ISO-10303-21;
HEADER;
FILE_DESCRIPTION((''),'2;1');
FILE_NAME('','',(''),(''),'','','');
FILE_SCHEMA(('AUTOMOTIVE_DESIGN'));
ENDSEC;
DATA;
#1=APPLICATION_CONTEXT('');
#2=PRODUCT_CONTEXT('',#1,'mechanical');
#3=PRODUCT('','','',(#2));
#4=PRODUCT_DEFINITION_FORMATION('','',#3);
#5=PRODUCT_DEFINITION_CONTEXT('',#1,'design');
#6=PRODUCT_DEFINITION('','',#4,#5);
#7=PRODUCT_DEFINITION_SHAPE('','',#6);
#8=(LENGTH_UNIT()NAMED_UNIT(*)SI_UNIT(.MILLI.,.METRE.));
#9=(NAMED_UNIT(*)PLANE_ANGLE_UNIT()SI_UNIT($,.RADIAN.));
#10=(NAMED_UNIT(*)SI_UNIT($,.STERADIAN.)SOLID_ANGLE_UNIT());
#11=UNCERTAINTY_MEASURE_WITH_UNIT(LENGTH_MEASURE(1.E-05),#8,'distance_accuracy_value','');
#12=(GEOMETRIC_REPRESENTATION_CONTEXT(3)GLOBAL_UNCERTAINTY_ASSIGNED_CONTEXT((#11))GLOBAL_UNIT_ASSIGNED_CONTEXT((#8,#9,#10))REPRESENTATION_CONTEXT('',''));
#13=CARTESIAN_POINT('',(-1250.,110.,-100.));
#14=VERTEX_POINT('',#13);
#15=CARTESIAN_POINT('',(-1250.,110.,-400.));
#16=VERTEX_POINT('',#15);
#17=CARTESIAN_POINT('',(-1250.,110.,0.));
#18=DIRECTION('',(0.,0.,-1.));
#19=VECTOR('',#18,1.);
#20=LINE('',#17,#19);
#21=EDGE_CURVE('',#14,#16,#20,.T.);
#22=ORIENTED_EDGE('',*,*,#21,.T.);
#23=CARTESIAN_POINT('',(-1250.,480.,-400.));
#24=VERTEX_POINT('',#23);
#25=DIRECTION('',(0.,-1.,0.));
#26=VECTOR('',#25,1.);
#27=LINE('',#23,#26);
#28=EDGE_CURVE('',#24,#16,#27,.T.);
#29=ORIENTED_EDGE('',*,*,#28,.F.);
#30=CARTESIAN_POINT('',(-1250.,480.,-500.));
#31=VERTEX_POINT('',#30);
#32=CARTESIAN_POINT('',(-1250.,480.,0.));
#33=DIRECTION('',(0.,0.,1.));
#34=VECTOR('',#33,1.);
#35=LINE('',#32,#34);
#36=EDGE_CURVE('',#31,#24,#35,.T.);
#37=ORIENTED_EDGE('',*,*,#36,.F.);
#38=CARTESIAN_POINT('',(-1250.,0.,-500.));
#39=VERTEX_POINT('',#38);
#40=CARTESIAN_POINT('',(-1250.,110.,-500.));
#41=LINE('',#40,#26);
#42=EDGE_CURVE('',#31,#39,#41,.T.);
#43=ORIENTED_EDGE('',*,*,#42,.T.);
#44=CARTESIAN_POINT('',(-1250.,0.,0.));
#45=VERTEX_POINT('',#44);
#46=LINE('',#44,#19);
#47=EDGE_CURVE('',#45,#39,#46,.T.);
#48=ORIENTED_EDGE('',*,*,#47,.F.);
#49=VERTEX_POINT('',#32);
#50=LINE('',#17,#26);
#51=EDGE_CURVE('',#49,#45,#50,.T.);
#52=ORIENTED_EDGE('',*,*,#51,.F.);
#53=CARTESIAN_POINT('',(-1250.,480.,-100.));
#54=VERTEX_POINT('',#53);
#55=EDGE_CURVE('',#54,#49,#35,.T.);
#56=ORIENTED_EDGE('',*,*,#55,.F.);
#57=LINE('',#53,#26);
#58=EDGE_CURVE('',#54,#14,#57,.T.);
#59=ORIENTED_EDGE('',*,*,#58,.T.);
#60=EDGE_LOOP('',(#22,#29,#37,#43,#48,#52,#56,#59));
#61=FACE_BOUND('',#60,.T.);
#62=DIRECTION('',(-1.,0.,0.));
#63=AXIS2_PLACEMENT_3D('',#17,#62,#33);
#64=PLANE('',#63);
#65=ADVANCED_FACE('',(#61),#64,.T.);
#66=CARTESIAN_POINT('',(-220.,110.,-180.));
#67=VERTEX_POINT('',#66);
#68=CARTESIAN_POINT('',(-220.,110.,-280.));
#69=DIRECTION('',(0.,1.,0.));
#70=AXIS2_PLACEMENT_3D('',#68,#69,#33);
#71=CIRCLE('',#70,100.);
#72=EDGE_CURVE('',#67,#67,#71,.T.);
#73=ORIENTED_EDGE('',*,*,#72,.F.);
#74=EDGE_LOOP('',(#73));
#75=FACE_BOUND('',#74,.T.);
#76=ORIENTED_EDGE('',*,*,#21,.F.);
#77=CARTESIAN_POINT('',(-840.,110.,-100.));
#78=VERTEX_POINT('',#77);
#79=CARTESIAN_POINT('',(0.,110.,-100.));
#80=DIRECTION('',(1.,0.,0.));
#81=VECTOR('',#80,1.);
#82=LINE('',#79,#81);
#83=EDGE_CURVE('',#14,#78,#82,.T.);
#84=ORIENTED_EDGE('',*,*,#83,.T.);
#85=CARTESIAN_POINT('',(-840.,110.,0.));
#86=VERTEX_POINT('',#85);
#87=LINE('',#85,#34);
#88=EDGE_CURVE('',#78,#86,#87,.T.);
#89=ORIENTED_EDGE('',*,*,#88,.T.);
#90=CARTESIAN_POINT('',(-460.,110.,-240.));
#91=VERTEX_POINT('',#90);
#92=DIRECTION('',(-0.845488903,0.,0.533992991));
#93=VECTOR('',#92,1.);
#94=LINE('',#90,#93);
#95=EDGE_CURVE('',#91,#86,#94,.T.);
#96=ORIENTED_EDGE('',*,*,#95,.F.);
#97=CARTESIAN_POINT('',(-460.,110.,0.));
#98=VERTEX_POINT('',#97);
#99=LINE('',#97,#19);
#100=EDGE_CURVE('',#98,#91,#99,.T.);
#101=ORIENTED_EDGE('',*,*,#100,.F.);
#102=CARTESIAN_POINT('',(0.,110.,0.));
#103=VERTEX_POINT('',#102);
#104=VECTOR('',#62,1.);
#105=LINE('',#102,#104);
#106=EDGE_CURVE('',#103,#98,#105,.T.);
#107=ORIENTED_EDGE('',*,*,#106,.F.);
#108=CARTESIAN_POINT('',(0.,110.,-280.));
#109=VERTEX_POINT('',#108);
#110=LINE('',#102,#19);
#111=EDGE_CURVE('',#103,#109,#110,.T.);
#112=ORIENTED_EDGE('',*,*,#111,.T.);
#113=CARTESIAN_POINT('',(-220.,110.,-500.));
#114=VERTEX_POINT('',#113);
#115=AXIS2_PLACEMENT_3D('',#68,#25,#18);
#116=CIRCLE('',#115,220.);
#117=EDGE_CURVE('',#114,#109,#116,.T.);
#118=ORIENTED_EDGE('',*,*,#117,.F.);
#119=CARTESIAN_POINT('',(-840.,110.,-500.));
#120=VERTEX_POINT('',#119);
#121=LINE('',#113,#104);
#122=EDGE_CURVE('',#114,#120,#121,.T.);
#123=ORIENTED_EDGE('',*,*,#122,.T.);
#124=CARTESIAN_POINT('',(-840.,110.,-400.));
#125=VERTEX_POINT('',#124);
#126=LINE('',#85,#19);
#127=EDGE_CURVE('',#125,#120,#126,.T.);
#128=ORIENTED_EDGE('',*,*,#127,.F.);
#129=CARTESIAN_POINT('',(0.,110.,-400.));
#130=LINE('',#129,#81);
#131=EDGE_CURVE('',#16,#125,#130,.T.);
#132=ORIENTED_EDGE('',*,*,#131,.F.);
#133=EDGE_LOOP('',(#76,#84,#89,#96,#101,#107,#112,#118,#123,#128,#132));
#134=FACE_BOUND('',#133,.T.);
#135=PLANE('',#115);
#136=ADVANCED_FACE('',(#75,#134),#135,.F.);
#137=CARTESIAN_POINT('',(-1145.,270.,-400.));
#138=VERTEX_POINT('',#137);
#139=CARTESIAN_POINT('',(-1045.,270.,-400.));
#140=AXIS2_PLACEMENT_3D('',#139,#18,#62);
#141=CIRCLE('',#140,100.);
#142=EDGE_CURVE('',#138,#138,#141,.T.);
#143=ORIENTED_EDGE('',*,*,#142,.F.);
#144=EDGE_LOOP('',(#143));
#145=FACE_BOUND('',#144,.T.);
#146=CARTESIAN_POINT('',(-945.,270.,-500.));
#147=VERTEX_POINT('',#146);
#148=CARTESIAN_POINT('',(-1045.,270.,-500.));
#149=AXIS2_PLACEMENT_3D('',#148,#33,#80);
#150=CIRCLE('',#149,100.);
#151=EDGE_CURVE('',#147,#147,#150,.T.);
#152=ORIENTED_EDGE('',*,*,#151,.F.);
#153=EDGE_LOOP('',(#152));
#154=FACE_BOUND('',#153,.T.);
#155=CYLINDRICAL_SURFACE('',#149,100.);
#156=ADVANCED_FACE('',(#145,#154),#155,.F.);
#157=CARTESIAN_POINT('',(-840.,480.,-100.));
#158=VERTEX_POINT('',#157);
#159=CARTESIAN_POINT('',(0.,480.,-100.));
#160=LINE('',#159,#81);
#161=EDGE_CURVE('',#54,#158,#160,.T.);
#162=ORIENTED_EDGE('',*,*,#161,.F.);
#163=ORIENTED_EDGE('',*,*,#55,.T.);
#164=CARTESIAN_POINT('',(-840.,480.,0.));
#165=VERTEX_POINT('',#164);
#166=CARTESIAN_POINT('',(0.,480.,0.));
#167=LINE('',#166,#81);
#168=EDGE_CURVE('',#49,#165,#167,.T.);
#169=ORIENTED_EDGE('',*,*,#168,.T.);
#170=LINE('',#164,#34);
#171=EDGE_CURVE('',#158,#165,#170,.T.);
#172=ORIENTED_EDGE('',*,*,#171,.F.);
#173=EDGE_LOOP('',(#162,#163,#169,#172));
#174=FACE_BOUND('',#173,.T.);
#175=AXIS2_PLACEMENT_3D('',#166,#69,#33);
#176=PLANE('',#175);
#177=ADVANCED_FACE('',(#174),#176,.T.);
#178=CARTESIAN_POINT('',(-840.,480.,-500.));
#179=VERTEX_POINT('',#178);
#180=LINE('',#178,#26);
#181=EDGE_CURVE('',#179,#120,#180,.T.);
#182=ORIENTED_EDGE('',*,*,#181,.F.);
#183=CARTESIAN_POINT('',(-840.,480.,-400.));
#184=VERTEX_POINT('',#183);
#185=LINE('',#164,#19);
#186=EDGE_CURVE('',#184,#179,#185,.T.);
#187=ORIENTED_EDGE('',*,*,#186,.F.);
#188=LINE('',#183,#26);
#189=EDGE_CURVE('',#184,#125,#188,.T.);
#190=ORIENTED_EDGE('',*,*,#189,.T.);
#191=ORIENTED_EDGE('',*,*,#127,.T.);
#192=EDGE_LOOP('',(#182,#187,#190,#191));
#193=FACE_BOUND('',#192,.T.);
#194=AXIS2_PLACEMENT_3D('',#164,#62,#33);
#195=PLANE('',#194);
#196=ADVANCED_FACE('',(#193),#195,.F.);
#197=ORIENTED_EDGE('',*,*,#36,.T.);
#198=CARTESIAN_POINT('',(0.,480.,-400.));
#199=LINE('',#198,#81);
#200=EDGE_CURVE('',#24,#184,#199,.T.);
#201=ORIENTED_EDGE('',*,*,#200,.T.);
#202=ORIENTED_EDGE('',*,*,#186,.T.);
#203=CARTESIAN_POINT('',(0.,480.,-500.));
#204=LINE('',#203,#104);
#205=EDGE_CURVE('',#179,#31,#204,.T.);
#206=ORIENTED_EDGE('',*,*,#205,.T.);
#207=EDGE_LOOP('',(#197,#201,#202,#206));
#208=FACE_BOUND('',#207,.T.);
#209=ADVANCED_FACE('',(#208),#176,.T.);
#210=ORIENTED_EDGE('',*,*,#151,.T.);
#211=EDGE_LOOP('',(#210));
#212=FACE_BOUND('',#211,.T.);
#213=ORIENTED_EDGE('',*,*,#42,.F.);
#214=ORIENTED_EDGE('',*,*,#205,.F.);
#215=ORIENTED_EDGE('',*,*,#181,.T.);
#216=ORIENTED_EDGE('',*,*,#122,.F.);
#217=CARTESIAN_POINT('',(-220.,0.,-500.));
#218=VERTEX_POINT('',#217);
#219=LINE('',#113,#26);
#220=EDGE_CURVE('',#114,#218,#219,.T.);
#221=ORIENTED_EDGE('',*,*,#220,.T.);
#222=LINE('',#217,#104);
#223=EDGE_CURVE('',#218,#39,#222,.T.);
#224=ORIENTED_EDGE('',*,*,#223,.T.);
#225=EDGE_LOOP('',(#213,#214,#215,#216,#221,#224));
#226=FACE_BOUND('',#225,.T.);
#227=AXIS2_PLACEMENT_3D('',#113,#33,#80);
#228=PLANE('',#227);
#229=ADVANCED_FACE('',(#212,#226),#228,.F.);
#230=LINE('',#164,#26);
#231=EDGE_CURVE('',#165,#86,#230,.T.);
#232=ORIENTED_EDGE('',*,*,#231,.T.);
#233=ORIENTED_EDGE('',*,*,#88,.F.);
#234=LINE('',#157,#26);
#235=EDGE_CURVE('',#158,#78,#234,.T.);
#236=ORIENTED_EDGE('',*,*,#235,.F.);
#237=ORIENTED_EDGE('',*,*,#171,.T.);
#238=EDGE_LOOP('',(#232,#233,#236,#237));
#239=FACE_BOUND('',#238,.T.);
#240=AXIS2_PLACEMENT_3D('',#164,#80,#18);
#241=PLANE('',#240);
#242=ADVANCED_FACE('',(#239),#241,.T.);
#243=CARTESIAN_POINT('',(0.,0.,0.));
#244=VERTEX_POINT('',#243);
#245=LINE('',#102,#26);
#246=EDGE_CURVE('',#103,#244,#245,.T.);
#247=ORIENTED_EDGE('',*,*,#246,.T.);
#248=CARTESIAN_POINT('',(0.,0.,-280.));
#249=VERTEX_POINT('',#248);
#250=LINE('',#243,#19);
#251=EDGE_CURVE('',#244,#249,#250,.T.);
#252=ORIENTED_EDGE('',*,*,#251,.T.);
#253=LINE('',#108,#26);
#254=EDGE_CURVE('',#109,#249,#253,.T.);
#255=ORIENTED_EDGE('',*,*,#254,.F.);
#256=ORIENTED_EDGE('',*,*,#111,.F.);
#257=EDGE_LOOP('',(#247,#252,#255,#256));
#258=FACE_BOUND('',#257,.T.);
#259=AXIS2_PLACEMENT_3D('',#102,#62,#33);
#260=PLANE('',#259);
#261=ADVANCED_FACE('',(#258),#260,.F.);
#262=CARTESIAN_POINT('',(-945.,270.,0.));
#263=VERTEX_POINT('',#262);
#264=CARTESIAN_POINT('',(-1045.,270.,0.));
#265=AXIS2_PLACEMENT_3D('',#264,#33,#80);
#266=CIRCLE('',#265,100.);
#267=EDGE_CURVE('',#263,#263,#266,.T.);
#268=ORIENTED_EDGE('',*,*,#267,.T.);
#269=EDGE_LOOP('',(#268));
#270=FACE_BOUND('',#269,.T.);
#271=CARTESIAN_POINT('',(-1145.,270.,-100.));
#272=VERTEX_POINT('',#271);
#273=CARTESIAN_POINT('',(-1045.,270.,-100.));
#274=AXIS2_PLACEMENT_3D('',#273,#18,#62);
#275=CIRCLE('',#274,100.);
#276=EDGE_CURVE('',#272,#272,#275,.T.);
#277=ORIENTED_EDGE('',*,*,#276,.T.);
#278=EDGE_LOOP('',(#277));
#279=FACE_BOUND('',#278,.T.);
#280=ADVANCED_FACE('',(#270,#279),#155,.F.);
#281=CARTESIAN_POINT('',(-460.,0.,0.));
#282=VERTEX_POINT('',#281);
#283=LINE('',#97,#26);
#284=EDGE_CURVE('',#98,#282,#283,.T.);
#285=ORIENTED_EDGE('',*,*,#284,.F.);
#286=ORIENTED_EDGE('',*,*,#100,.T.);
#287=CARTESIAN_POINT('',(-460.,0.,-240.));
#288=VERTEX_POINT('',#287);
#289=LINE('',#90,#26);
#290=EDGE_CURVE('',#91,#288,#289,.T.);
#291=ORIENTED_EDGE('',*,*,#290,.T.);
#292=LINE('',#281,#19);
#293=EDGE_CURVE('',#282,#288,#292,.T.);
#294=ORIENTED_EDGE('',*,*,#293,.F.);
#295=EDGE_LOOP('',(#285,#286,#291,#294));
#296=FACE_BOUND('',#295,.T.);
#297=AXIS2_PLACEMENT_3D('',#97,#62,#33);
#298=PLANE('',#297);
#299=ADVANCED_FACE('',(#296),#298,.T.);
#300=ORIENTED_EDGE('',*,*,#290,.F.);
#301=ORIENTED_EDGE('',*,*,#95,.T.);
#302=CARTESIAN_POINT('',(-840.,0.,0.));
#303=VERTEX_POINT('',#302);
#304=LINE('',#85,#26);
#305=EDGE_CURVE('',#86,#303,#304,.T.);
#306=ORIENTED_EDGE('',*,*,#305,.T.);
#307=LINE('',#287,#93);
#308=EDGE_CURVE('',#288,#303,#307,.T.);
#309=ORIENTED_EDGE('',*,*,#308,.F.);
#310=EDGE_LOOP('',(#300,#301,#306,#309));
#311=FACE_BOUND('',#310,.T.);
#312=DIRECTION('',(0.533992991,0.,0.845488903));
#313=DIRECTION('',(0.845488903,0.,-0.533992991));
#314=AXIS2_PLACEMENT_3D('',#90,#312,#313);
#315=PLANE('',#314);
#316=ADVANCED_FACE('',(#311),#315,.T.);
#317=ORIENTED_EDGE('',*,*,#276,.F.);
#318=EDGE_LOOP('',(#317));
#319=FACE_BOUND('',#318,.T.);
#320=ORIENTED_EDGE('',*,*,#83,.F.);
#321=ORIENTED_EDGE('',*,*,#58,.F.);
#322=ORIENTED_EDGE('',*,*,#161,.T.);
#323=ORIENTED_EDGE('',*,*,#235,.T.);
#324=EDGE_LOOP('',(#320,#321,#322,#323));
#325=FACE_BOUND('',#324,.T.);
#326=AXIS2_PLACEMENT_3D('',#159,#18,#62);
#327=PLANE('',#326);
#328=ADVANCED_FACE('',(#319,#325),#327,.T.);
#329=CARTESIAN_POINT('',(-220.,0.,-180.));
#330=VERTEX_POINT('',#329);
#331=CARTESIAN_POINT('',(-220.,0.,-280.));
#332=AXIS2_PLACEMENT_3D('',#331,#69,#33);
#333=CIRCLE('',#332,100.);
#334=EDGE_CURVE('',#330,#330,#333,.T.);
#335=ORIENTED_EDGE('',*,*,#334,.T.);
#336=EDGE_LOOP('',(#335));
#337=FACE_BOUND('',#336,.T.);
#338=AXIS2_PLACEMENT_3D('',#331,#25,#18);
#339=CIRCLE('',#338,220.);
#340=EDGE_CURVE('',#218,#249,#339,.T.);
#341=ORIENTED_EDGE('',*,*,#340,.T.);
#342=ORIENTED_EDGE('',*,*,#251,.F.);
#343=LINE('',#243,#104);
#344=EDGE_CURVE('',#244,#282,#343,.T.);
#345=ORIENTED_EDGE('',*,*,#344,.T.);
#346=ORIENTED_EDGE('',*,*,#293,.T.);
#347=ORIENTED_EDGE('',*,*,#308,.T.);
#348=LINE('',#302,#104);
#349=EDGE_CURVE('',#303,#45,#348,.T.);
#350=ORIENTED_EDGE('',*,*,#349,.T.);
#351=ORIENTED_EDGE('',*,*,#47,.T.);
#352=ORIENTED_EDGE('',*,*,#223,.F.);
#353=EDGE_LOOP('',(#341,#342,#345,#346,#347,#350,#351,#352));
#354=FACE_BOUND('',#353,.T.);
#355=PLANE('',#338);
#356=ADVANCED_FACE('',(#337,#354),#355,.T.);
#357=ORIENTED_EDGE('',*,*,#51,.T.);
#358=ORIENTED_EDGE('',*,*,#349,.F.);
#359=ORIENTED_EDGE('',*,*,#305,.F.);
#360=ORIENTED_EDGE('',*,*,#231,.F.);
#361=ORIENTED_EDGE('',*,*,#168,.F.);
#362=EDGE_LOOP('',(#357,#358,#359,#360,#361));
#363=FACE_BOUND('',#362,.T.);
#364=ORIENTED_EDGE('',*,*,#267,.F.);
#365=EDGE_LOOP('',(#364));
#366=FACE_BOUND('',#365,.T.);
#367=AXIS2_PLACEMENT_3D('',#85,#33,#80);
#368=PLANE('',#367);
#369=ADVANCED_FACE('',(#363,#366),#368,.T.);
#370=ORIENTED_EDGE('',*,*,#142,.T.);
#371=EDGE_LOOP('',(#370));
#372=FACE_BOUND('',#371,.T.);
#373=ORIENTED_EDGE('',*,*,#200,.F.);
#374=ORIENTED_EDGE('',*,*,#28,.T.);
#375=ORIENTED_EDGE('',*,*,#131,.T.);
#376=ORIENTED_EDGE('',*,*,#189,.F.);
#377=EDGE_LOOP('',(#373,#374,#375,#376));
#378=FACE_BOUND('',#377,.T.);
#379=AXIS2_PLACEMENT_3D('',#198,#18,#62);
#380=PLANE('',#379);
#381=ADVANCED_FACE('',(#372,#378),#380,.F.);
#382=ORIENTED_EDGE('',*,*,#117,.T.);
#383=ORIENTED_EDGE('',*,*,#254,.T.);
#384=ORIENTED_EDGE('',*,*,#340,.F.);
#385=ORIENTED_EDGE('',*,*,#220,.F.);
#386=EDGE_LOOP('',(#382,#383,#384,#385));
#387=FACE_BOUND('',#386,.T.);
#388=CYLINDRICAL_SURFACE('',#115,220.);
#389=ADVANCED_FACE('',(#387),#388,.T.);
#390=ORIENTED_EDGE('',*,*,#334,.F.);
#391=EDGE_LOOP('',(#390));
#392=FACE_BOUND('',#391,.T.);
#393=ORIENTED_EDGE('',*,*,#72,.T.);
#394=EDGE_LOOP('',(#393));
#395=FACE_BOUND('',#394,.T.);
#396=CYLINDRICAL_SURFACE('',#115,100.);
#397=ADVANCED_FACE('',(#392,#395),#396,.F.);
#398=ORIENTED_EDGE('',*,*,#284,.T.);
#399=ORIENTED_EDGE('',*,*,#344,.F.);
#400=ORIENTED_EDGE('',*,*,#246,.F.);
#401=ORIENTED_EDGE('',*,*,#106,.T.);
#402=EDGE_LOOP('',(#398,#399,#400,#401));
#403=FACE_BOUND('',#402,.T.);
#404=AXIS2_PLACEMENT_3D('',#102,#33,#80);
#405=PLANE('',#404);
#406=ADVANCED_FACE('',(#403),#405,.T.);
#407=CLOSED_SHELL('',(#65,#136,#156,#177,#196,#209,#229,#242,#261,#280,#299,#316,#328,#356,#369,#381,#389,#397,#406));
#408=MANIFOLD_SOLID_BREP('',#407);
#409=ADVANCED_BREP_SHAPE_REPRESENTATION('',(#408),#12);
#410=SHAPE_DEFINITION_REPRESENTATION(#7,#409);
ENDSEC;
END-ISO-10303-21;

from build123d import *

# Parameters (mm, degrees)
SKETCH1_R           = 100
BOSS_EXTRUDE1_DEPTH = 110
SKETCH2_W           = 410
SKETCH2_H           = 100
BOSS_EXTRUDE2_DEPTH = 370
SKETCH3_R           = 100
CUT_EXTRUDE1_DEPTH  = 501


with BuildPart() as part:
    # Sketch1 → Boss-Extrude1 (new body)
    with BuildSketch(Plane(origin=(0, 0, 0), x_dir=(1, 0, 0), z_dir=(0, 1, 0))):
        with BuildLine():
            Line((-460, 0), (-460, 240))
            Line((-460, 240), (-840, 0))
            Line((-840, 0), (-1250, 0))
            Line((-1250, 0), (-1250, 500))
            Line((-1250, 500), (-220, 500))
            ThreePointArc((-220, 500), (-64.436508139, 435.563491861), (0, 280))
            Line((0, 280), (0, 0))
            Line((0, 0), (-460, 0))
        make_face()
        with Locations((-220, 280)):
            Circle(SKETCH1_R, mode=Mode.SUBTRACT)
    extrude(amount=BOSS_EXTRUDE1_DEPTH)

    # Sketch2 → Boss-Extrude2 (add)
    with BuildSketch(Plane(origin=(0, 110, 0), x_dir=(1, 0, 0), z_dir=(0, 1, 0))):
        with Locations((-1045, 450)):
            Rectangle(SKETCH2_W, SKETCH2_H)
        with Locations((-1045, 50)):
            Rectangle(SKETCH2_W, SKETCH2_H)
    extrude(amount=BOSS_EXTRUDE2_DEPTH)

    # Sketch3 → Cut-Extrude1 (cut, through all)
    with BuildSketch(Plane.XY):
        with Locations((-1045, 270)):
            Circle(SKETCH3_R)
    extrude(amount=-CUT_EXTRUDE1_DEPTH, mode=Mode.SUBTRACT)


solid = part.part
